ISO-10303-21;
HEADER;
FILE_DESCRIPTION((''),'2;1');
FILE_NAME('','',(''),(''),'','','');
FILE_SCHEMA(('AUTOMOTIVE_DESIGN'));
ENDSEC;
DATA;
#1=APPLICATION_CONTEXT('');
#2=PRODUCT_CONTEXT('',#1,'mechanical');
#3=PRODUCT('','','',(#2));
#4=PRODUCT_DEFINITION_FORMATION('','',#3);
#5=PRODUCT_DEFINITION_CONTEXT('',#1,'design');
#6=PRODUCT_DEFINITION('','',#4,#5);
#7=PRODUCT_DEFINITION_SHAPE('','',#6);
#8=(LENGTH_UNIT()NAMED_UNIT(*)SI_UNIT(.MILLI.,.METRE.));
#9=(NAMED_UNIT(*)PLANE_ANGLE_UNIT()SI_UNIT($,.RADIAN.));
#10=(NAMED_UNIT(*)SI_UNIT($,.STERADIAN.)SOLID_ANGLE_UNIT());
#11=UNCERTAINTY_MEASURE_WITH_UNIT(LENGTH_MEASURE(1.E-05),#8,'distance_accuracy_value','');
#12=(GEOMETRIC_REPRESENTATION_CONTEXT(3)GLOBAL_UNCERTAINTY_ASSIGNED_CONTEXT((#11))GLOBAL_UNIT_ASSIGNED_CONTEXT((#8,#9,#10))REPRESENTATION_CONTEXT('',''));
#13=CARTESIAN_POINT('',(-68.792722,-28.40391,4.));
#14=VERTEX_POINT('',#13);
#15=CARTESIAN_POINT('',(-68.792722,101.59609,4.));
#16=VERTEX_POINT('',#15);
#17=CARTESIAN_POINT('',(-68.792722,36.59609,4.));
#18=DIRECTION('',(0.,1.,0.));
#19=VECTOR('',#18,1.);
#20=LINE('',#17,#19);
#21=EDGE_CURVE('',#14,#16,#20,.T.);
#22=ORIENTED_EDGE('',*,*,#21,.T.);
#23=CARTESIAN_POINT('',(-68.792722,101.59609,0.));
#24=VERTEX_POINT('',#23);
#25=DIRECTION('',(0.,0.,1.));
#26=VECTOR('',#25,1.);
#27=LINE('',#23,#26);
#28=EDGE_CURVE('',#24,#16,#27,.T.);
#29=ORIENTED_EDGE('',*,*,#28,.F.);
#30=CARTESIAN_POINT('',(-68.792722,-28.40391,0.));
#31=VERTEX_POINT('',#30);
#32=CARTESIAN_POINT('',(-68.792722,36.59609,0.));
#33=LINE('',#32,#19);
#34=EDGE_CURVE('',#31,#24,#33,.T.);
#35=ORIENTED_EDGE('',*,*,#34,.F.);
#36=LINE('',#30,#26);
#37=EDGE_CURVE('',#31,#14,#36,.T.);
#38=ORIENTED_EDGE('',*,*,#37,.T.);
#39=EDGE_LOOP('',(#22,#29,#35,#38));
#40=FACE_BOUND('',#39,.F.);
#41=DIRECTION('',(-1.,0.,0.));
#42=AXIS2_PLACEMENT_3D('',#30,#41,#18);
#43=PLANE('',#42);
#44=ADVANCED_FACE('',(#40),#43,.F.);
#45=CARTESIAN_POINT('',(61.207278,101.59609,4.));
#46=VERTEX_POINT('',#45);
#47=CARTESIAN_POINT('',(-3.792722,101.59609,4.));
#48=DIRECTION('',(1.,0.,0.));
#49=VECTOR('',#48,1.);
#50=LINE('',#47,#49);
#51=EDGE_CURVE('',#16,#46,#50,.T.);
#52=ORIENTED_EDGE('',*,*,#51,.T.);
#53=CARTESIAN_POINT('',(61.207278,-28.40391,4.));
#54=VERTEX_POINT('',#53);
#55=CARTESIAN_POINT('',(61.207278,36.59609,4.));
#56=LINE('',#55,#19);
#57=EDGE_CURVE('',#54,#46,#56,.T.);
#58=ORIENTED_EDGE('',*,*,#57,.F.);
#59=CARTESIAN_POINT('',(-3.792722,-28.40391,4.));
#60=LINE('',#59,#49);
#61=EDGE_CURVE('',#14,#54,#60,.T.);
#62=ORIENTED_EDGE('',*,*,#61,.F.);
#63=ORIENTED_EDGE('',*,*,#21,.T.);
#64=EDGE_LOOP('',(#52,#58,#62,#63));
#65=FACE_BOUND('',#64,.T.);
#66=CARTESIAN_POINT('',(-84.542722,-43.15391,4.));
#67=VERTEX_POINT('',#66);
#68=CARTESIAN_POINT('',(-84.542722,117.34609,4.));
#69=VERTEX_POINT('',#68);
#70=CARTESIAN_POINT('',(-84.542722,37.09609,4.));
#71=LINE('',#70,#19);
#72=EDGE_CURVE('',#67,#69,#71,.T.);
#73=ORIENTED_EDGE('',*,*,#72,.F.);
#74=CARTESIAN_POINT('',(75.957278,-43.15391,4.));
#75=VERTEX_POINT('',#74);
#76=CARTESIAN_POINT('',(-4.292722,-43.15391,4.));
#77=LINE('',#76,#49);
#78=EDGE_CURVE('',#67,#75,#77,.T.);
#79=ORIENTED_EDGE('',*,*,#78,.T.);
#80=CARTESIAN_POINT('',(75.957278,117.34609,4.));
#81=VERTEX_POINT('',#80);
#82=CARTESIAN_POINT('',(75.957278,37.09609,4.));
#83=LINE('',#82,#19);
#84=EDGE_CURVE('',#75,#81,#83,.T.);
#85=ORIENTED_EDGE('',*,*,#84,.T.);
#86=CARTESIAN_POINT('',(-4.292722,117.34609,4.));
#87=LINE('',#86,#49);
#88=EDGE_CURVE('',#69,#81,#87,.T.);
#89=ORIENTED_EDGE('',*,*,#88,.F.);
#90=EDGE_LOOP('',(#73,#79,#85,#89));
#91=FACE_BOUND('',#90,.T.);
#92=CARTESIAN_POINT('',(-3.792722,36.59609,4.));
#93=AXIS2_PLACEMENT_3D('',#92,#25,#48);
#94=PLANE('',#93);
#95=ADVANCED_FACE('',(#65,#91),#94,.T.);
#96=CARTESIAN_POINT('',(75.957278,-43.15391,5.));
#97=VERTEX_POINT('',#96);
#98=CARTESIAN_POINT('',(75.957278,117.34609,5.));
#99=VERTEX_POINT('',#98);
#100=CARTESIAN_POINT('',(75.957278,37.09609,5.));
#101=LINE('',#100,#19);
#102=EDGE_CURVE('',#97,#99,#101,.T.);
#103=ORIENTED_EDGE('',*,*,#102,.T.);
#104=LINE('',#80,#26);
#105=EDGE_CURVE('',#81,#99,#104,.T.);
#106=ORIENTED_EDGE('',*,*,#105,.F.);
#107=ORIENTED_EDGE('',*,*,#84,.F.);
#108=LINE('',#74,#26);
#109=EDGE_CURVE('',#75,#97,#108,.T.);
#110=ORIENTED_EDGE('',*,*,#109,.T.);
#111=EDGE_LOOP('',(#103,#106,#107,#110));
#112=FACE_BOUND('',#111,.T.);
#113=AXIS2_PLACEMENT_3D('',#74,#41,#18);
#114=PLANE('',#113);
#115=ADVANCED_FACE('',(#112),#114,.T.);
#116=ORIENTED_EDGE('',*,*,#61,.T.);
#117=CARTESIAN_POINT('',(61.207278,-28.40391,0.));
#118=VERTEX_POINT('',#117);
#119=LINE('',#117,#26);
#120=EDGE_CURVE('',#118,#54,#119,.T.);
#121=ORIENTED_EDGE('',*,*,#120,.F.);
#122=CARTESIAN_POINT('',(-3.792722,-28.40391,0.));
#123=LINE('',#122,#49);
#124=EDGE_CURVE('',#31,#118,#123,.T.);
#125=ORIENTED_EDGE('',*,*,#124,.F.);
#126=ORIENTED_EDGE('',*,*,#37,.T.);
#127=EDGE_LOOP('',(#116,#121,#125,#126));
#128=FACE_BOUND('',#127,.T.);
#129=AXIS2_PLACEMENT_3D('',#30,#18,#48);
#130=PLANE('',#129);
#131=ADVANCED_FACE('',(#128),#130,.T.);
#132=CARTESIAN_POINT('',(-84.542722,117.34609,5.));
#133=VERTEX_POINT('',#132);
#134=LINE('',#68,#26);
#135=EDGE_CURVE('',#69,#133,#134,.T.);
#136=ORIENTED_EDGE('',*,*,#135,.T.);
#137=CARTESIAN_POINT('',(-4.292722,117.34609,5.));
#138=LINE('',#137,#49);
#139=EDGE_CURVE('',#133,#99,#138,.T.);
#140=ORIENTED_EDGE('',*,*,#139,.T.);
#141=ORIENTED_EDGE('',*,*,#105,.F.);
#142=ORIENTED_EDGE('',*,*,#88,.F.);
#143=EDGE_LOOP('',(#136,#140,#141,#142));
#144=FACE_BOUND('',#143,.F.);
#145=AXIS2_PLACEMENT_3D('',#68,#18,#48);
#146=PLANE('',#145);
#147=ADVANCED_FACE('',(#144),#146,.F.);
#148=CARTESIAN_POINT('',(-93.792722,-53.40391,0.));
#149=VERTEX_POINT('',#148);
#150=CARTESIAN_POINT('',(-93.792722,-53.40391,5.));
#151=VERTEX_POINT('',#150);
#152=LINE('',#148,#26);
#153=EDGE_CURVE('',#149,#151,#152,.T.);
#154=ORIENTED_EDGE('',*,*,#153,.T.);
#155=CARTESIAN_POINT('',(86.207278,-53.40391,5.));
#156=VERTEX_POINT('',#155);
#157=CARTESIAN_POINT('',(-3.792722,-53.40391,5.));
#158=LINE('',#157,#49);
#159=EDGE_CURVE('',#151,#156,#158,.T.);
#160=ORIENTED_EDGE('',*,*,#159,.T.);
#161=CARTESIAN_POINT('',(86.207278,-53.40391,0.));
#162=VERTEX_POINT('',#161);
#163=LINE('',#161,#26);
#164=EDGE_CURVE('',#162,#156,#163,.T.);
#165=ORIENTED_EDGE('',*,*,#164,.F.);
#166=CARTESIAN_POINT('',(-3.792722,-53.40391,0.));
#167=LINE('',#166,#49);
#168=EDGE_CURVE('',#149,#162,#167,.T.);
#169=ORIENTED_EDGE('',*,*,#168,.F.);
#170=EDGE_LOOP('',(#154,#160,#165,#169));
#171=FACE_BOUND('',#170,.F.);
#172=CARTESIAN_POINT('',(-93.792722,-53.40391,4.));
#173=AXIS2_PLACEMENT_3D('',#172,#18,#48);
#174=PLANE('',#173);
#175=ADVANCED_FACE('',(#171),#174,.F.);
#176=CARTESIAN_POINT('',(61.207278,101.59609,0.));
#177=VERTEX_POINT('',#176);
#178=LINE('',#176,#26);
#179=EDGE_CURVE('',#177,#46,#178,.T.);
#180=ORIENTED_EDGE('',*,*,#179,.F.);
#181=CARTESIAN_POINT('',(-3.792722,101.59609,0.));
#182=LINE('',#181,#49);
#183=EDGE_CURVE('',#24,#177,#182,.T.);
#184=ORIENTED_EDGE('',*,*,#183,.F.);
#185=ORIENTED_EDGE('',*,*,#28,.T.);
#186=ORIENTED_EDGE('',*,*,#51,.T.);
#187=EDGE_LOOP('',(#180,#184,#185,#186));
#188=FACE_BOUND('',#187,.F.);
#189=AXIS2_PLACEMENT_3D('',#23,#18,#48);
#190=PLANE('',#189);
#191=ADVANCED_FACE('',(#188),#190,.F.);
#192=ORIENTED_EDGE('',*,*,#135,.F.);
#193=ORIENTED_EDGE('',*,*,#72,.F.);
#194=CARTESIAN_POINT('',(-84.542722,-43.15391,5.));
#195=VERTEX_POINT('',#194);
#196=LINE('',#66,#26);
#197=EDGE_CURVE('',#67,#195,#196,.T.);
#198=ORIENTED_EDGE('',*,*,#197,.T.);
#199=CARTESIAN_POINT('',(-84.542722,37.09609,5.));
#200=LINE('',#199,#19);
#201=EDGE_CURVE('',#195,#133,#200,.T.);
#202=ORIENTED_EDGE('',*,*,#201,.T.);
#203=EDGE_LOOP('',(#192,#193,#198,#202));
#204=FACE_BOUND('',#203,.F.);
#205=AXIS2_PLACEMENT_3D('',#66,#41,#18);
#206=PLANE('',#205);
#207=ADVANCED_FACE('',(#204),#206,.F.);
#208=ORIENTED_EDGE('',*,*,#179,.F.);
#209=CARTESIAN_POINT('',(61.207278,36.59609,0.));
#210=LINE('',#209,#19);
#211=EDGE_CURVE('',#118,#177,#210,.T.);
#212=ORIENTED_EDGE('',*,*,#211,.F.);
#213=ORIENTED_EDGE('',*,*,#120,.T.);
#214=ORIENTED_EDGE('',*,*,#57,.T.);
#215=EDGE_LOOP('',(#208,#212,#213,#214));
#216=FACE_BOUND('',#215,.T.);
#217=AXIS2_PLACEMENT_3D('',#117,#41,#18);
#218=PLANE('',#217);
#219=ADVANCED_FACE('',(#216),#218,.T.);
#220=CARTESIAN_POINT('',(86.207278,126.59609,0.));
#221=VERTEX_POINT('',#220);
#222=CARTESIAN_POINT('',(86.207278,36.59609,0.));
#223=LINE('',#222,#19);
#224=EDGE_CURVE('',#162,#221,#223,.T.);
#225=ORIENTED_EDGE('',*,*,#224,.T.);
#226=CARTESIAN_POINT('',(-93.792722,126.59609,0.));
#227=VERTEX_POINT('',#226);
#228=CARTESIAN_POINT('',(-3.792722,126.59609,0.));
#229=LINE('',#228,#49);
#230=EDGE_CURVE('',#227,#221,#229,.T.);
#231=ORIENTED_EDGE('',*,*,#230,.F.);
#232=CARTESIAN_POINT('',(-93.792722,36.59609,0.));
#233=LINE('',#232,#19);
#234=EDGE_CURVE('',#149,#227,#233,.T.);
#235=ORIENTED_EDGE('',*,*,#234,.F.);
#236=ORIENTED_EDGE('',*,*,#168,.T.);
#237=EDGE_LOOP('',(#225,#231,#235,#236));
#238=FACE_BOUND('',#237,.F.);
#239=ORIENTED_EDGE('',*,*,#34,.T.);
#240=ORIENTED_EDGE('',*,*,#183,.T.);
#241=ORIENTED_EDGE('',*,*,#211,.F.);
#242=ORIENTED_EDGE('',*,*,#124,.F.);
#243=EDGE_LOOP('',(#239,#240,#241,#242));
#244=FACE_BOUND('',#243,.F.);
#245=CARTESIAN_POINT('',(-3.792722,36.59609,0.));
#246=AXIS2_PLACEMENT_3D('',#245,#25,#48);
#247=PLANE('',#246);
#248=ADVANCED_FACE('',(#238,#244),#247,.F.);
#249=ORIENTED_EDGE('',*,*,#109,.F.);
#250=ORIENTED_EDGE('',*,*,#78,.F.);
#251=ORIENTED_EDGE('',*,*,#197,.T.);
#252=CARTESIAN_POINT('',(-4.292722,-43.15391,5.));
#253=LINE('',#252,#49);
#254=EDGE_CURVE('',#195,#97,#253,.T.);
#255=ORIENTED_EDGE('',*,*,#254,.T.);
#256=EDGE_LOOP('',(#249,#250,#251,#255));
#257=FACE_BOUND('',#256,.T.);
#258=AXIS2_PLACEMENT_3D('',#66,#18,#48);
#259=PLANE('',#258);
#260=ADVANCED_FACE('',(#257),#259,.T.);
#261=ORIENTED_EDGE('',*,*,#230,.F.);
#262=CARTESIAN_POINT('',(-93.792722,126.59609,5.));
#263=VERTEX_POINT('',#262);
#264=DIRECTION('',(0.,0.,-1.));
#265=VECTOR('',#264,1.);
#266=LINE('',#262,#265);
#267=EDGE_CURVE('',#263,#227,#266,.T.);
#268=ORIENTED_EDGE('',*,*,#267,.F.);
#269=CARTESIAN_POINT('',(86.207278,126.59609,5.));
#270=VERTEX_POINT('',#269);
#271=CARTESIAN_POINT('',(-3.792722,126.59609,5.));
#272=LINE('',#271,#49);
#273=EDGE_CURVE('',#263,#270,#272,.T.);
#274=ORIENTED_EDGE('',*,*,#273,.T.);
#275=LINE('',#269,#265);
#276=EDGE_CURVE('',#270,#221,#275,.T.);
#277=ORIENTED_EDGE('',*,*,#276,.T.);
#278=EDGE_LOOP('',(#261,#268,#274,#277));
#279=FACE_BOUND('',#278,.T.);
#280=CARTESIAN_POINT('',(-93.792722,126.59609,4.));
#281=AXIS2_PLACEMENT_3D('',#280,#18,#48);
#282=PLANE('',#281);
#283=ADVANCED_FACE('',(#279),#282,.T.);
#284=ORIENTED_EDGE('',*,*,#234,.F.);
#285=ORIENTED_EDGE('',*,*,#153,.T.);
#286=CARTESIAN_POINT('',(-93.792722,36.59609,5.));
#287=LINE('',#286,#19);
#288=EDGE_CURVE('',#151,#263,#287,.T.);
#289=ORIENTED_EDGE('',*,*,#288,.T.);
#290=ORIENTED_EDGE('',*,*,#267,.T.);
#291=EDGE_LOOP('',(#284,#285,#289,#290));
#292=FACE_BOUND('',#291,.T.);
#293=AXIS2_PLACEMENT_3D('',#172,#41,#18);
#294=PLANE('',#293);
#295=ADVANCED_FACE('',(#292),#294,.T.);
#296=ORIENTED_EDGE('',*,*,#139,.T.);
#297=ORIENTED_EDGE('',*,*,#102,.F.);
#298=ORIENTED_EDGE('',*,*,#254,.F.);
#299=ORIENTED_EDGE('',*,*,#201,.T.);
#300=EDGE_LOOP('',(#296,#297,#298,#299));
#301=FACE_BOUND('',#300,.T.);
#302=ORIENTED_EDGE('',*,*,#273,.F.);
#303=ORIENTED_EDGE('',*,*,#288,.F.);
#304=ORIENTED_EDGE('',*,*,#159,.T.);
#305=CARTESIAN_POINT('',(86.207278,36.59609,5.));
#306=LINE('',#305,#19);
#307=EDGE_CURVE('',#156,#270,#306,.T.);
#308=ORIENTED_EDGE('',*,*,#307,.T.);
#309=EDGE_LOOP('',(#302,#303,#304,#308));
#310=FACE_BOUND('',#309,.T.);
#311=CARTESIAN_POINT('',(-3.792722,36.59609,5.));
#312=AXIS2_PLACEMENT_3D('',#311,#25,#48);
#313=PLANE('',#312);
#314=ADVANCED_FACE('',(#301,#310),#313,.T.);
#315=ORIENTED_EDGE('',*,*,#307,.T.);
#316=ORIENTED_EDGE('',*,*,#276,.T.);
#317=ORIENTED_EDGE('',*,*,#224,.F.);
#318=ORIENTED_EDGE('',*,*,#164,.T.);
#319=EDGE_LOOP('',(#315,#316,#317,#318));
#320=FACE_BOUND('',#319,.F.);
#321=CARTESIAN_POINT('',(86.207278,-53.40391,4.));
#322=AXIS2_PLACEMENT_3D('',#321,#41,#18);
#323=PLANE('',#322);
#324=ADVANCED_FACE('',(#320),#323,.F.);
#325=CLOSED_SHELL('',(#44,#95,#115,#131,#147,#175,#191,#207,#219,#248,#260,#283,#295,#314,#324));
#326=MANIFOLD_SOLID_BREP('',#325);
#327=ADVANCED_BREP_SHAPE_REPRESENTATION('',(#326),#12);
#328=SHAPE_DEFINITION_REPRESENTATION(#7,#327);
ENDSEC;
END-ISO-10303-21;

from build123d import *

# Parameters (mm, degrees)
F0_W     = 180
F0_H     = 180
F0_W_2   = 130
F0_H_2   = 130
F1_DEPTH = 4
F2_W     = 180
F2_H     = 180
F2_W_2   = 160.5
F2_H_2   = 160.5
F3_DEPTH = 1


with BuildPart() as f1:
    # F0 (on Top) → F1 (new body)
    with BuildSketch(Plane.XY):
        with Locations((-3.792722, 36.59609)):
            Rectangle(F0_W, F0_H)
        with Locations((-3.792722, 36.59609)):
            Rectangle(F0_W_2, F0_H_2, mode=Mode.SUBTRACT)
    extrude(amount=F1_DEPTH)

    # F2 (on face) → F3 (join)
    with BuildSketch(Plane.XY.offset(4)):
        with Locations((-3.792722, 36.59609)):
            Rectangle(F2_W, F2_H)
        with Locations((-4.292722, 37.09609)):
            Rectangle(F2_W_2, F2_H_2, mode=Mode.SUBTRACT)
    extrude(amount=F3_DEPTH)


solid = f1.part
